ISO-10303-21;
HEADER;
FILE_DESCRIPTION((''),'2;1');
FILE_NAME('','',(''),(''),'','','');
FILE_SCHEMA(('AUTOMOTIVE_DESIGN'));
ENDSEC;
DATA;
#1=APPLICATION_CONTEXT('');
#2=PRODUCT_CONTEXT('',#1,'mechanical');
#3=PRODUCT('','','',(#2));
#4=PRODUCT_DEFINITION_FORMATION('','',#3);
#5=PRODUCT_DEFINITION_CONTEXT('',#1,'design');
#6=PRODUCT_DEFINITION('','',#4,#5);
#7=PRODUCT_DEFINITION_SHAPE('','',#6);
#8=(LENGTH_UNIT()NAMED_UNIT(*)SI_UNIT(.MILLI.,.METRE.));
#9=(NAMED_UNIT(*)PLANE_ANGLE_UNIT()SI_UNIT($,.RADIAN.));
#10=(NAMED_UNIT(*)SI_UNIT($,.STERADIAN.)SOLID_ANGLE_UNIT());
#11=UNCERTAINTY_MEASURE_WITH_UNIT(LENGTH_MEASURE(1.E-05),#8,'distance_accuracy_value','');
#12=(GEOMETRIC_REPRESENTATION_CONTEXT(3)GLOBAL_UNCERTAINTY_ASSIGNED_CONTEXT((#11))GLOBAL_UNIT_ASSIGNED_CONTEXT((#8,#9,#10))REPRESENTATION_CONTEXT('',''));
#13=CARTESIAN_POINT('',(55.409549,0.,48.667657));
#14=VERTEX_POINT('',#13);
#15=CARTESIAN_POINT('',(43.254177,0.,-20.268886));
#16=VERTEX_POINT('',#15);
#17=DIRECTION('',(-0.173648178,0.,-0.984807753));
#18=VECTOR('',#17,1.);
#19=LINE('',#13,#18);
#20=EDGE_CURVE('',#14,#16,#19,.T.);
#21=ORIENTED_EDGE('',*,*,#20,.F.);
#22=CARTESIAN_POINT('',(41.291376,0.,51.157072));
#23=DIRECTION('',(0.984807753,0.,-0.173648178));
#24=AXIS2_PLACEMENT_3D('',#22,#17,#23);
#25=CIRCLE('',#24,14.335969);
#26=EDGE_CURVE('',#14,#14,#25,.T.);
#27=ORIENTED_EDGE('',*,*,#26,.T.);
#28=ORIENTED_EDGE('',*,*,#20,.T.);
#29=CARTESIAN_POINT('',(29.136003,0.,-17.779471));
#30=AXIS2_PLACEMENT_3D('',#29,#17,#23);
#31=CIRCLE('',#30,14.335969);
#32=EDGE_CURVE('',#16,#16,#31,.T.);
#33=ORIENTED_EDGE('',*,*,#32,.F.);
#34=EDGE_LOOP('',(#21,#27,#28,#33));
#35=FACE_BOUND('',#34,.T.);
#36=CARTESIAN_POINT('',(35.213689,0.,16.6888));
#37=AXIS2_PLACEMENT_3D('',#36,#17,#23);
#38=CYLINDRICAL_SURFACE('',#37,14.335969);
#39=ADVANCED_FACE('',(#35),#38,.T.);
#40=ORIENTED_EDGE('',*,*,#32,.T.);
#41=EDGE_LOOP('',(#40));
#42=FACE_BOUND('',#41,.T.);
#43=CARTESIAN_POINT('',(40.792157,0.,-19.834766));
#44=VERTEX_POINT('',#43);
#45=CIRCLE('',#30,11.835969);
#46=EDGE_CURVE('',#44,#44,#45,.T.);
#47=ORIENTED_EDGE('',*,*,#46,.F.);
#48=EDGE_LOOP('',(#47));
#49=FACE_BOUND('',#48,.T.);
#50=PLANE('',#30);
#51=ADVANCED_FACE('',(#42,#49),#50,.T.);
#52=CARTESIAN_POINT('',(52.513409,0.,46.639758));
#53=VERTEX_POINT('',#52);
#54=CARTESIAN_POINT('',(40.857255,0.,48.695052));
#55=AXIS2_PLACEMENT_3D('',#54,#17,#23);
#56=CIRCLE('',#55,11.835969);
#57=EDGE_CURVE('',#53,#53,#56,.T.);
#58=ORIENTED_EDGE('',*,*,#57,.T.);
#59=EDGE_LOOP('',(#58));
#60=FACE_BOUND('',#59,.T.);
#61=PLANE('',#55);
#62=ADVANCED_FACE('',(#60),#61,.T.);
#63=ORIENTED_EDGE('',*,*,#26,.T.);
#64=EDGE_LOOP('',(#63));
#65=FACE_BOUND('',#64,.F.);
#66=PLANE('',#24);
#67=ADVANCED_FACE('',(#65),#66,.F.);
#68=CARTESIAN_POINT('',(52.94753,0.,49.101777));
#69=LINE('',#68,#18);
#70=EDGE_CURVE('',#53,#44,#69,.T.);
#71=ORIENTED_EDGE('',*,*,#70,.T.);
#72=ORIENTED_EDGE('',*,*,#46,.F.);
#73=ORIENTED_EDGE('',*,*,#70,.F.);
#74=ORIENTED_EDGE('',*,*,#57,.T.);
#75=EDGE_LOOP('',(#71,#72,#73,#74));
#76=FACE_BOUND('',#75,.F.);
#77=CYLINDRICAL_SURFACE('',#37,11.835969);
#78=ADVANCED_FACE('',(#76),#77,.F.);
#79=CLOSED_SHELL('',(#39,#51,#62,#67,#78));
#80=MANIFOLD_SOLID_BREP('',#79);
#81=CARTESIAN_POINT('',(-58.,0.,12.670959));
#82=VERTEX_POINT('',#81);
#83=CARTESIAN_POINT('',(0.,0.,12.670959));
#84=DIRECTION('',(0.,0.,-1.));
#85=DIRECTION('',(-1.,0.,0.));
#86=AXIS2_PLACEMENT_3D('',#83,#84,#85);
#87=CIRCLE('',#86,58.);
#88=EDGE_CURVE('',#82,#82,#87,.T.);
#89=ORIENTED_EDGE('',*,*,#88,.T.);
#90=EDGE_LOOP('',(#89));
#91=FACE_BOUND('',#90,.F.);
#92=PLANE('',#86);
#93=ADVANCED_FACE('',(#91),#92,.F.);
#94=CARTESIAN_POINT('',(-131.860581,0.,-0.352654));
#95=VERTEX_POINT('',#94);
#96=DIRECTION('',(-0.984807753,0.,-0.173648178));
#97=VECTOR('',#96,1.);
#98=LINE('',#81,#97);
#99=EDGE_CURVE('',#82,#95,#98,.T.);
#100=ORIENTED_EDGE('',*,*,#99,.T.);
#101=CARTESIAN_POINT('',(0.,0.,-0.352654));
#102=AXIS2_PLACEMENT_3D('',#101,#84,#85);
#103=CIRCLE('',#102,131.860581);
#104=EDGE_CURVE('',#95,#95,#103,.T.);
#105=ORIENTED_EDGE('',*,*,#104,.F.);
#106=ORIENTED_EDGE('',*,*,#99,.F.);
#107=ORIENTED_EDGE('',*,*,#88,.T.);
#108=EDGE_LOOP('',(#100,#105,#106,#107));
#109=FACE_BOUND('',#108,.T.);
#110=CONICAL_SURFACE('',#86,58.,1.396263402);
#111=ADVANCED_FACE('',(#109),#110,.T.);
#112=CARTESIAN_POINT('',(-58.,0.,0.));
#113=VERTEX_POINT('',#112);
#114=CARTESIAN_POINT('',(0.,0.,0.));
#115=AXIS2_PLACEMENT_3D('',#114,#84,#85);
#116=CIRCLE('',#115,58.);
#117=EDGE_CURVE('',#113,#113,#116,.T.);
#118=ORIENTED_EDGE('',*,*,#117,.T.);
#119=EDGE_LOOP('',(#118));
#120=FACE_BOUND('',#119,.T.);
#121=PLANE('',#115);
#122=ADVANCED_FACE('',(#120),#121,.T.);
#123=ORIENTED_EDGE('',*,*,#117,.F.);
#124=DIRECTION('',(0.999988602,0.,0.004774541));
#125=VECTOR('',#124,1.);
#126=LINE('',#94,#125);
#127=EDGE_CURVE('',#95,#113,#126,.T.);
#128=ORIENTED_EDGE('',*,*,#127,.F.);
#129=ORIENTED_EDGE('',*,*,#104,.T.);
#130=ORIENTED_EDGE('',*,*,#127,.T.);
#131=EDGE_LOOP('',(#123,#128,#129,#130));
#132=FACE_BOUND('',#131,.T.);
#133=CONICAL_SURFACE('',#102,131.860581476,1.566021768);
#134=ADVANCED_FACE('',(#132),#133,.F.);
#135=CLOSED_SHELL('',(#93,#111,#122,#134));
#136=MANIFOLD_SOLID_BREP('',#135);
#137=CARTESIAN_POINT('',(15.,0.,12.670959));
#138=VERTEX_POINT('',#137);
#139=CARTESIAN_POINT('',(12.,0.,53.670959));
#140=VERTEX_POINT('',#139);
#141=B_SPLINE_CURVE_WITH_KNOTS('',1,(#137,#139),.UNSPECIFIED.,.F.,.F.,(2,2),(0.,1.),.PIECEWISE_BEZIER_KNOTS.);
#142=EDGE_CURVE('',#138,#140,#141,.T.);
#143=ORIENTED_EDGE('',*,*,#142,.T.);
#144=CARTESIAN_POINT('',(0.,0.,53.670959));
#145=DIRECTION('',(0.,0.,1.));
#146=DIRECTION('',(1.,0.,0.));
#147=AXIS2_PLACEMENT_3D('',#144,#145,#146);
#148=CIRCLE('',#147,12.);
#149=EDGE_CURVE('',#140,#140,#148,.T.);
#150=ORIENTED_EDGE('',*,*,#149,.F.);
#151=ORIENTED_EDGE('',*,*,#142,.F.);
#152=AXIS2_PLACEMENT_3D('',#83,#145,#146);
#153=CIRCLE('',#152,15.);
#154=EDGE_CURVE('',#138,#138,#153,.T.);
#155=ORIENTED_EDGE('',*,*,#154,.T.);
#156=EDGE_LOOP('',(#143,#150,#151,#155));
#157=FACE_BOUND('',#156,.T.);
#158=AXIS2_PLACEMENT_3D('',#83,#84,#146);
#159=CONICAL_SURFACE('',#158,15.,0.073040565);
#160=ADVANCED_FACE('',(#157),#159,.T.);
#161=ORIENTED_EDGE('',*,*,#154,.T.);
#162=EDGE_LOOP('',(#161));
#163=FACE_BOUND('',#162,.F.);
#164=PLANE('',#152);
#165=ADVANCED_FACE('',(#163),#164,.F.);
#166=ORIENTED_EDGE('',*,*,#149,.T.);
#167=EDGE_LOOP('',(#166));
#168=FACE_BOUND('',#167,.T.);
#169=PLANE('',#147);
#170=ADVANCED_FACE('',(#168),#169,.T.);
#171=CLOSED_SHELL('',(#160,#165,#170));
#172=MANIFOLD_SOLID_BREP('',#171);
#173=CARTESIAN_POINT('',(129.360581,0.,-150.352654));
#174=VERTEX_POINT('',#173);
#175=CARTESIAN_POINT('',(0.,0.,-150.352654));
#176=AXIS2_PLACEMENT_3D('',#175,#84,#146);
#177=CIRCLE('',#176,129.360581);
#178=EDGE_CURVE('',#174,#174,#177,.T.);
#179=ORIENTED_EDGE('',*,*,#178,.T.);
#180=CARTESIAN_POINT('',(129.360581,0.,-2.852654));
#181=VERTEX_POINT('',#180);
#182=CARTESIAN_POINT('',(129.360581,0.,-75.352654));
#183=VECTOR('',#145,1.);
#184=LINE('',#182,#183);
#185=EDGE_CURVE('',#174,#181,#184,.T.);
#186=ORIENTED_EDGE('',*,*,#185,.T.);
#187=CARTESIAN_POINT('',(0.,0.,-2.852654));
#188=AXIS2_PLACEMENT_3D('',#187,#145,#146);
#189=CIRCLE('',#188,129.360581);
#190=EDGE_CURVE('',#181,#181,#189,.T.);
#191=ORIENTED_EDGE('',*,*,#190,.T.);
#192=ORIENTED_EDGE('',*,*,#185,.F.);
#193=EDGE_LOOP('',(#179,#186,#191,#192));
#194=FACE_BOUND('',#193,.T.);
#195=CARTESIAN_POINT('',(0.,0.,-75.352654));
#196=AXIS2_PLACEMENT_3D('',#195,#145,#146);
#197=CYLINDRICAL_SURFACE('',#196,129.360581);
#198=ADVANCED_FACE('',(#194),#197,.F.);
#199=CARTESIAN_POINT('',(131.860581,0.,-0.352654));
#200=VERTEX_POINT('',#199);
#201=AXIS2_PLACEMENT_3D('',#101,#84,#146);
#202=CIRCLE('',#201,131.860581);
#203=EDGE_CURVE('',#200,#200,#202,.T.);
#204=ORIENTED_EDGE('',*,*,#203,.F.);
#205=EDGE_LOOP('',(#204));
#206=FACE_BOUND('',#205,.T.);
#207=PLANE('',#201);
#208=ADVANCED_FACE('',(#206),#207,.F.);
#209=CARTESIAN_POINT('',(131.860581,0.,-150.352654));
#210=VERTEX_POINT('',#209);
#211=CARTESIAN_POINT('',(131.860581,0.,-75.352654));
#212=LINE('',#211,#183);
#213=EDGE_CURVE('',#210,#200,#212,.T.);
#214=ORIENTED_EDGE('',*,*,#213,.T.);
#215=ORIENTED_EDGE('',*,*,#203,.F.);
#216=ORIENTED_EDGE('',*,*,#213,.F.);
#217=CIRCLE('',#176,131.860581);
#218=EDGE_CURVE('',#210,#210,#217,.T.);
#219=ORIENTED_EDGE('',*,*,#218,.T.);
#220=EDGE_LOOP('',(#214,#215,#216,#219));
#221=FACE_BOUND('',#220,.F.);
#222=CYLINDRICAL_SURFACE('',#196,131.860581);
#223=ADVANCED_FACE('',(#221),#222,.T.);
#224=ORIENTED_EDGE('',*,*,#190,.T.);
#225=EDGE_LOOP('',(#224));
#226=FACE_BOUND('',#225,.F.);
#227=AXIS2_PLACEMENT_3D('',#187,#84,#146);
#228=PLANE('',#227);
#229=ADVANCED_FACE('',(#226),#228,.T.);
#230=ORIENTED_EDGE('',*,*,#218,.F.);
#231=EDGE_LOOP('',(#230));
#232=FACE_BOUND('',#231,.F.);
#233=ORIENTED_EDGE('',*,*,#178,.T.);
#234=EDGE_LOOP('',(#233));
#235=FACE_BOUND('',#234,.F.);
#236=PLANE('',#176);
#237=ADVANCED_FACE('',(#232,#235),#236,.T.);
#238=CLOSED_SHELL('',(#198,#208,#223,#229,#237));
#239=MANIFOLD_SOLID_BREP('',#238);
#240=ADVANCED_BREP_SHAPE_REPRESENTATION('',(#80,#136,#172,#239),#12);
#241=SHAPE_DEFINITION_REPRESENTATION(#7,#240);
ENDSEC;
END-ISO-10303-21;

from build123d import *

# Parameters (mm, degrees)
F0_W      = 131.8605814759
F0_H      = 150
F2_W      = 58
F2_H      = 12.6709589615
F5_R      = 15
F7_R      = 12
F10_R     = 14.335969035
F11_DEPTH = 35
F12_T     = -2.5
F13_T     = -2.5


with BuildPart() as f1:
    # F0 (on Front) → F1 (revolve)
    with BuildSketch(Plane.XZ):
        with Locations((65.930290738, -75.3526543635)):
            Rectangle(F0_W, F0_H)
    revolve(axis=Axis((0, 0, -75.1763271818), (0, 0, -1)))

    # F12
    f12_openings = [f1.faces().sort_by_distance(p)[0] for p in [
        (0, 0, -150.352654),
    ]]
    offset(amount=F12_T, openings=f12_openings)


with BuildPart() as f4:
    # F2 (on Front) → F4 (revolve)
    with BuildSketch(Plane.XZ):
        Polygon((-58, 0), (-58, 12.6709589615), (-131.8605814759, -0.3526543635), align=None)
        with Locations((-29, 6.3354794807)):
            Rectangle(F2_W, F2_H)
    revolve(axis=Axis((0, 0, 31.8354794807), (0, 0, -1)))


with BuildPart() as f8:
    # F5 (on plane+point) → F8 section 0
    with BuildSketch(Plane.XY.offset(12.6709589615)):
        Circle(F5_R)
    # F7 (on offset) → F8 section 1
    with BuildSketch(Plane.XY.offset(53.6709589615)):
        Circle(F7_R)
    loft()


with BuildPart() as f11:
    # F10 (on face) → F11 (new body, symmetric)
    with BuildSketch(Plane(origin=(3.9157755973, 0, 22.2074669544), x_dir=(0.984807753, 0, -0.1736481777), z_dir=(-0.1736481777, 0, -0.984807753))):
        with Locations((31.7807346582, 0)):
            Circle(F10_R)
    extrude(amount=F11_DEPTH, both=True)

    # F13
    f13_openings = [f11.faces().sort_by_distance(p)[0] for p in [
        (29.136003, 0, -17.779471),
    ]]
    offset(amount=F13_T, openings=f13_openings)


solid = Compound([f1.part, f4.part, f8.part, f11.part])
